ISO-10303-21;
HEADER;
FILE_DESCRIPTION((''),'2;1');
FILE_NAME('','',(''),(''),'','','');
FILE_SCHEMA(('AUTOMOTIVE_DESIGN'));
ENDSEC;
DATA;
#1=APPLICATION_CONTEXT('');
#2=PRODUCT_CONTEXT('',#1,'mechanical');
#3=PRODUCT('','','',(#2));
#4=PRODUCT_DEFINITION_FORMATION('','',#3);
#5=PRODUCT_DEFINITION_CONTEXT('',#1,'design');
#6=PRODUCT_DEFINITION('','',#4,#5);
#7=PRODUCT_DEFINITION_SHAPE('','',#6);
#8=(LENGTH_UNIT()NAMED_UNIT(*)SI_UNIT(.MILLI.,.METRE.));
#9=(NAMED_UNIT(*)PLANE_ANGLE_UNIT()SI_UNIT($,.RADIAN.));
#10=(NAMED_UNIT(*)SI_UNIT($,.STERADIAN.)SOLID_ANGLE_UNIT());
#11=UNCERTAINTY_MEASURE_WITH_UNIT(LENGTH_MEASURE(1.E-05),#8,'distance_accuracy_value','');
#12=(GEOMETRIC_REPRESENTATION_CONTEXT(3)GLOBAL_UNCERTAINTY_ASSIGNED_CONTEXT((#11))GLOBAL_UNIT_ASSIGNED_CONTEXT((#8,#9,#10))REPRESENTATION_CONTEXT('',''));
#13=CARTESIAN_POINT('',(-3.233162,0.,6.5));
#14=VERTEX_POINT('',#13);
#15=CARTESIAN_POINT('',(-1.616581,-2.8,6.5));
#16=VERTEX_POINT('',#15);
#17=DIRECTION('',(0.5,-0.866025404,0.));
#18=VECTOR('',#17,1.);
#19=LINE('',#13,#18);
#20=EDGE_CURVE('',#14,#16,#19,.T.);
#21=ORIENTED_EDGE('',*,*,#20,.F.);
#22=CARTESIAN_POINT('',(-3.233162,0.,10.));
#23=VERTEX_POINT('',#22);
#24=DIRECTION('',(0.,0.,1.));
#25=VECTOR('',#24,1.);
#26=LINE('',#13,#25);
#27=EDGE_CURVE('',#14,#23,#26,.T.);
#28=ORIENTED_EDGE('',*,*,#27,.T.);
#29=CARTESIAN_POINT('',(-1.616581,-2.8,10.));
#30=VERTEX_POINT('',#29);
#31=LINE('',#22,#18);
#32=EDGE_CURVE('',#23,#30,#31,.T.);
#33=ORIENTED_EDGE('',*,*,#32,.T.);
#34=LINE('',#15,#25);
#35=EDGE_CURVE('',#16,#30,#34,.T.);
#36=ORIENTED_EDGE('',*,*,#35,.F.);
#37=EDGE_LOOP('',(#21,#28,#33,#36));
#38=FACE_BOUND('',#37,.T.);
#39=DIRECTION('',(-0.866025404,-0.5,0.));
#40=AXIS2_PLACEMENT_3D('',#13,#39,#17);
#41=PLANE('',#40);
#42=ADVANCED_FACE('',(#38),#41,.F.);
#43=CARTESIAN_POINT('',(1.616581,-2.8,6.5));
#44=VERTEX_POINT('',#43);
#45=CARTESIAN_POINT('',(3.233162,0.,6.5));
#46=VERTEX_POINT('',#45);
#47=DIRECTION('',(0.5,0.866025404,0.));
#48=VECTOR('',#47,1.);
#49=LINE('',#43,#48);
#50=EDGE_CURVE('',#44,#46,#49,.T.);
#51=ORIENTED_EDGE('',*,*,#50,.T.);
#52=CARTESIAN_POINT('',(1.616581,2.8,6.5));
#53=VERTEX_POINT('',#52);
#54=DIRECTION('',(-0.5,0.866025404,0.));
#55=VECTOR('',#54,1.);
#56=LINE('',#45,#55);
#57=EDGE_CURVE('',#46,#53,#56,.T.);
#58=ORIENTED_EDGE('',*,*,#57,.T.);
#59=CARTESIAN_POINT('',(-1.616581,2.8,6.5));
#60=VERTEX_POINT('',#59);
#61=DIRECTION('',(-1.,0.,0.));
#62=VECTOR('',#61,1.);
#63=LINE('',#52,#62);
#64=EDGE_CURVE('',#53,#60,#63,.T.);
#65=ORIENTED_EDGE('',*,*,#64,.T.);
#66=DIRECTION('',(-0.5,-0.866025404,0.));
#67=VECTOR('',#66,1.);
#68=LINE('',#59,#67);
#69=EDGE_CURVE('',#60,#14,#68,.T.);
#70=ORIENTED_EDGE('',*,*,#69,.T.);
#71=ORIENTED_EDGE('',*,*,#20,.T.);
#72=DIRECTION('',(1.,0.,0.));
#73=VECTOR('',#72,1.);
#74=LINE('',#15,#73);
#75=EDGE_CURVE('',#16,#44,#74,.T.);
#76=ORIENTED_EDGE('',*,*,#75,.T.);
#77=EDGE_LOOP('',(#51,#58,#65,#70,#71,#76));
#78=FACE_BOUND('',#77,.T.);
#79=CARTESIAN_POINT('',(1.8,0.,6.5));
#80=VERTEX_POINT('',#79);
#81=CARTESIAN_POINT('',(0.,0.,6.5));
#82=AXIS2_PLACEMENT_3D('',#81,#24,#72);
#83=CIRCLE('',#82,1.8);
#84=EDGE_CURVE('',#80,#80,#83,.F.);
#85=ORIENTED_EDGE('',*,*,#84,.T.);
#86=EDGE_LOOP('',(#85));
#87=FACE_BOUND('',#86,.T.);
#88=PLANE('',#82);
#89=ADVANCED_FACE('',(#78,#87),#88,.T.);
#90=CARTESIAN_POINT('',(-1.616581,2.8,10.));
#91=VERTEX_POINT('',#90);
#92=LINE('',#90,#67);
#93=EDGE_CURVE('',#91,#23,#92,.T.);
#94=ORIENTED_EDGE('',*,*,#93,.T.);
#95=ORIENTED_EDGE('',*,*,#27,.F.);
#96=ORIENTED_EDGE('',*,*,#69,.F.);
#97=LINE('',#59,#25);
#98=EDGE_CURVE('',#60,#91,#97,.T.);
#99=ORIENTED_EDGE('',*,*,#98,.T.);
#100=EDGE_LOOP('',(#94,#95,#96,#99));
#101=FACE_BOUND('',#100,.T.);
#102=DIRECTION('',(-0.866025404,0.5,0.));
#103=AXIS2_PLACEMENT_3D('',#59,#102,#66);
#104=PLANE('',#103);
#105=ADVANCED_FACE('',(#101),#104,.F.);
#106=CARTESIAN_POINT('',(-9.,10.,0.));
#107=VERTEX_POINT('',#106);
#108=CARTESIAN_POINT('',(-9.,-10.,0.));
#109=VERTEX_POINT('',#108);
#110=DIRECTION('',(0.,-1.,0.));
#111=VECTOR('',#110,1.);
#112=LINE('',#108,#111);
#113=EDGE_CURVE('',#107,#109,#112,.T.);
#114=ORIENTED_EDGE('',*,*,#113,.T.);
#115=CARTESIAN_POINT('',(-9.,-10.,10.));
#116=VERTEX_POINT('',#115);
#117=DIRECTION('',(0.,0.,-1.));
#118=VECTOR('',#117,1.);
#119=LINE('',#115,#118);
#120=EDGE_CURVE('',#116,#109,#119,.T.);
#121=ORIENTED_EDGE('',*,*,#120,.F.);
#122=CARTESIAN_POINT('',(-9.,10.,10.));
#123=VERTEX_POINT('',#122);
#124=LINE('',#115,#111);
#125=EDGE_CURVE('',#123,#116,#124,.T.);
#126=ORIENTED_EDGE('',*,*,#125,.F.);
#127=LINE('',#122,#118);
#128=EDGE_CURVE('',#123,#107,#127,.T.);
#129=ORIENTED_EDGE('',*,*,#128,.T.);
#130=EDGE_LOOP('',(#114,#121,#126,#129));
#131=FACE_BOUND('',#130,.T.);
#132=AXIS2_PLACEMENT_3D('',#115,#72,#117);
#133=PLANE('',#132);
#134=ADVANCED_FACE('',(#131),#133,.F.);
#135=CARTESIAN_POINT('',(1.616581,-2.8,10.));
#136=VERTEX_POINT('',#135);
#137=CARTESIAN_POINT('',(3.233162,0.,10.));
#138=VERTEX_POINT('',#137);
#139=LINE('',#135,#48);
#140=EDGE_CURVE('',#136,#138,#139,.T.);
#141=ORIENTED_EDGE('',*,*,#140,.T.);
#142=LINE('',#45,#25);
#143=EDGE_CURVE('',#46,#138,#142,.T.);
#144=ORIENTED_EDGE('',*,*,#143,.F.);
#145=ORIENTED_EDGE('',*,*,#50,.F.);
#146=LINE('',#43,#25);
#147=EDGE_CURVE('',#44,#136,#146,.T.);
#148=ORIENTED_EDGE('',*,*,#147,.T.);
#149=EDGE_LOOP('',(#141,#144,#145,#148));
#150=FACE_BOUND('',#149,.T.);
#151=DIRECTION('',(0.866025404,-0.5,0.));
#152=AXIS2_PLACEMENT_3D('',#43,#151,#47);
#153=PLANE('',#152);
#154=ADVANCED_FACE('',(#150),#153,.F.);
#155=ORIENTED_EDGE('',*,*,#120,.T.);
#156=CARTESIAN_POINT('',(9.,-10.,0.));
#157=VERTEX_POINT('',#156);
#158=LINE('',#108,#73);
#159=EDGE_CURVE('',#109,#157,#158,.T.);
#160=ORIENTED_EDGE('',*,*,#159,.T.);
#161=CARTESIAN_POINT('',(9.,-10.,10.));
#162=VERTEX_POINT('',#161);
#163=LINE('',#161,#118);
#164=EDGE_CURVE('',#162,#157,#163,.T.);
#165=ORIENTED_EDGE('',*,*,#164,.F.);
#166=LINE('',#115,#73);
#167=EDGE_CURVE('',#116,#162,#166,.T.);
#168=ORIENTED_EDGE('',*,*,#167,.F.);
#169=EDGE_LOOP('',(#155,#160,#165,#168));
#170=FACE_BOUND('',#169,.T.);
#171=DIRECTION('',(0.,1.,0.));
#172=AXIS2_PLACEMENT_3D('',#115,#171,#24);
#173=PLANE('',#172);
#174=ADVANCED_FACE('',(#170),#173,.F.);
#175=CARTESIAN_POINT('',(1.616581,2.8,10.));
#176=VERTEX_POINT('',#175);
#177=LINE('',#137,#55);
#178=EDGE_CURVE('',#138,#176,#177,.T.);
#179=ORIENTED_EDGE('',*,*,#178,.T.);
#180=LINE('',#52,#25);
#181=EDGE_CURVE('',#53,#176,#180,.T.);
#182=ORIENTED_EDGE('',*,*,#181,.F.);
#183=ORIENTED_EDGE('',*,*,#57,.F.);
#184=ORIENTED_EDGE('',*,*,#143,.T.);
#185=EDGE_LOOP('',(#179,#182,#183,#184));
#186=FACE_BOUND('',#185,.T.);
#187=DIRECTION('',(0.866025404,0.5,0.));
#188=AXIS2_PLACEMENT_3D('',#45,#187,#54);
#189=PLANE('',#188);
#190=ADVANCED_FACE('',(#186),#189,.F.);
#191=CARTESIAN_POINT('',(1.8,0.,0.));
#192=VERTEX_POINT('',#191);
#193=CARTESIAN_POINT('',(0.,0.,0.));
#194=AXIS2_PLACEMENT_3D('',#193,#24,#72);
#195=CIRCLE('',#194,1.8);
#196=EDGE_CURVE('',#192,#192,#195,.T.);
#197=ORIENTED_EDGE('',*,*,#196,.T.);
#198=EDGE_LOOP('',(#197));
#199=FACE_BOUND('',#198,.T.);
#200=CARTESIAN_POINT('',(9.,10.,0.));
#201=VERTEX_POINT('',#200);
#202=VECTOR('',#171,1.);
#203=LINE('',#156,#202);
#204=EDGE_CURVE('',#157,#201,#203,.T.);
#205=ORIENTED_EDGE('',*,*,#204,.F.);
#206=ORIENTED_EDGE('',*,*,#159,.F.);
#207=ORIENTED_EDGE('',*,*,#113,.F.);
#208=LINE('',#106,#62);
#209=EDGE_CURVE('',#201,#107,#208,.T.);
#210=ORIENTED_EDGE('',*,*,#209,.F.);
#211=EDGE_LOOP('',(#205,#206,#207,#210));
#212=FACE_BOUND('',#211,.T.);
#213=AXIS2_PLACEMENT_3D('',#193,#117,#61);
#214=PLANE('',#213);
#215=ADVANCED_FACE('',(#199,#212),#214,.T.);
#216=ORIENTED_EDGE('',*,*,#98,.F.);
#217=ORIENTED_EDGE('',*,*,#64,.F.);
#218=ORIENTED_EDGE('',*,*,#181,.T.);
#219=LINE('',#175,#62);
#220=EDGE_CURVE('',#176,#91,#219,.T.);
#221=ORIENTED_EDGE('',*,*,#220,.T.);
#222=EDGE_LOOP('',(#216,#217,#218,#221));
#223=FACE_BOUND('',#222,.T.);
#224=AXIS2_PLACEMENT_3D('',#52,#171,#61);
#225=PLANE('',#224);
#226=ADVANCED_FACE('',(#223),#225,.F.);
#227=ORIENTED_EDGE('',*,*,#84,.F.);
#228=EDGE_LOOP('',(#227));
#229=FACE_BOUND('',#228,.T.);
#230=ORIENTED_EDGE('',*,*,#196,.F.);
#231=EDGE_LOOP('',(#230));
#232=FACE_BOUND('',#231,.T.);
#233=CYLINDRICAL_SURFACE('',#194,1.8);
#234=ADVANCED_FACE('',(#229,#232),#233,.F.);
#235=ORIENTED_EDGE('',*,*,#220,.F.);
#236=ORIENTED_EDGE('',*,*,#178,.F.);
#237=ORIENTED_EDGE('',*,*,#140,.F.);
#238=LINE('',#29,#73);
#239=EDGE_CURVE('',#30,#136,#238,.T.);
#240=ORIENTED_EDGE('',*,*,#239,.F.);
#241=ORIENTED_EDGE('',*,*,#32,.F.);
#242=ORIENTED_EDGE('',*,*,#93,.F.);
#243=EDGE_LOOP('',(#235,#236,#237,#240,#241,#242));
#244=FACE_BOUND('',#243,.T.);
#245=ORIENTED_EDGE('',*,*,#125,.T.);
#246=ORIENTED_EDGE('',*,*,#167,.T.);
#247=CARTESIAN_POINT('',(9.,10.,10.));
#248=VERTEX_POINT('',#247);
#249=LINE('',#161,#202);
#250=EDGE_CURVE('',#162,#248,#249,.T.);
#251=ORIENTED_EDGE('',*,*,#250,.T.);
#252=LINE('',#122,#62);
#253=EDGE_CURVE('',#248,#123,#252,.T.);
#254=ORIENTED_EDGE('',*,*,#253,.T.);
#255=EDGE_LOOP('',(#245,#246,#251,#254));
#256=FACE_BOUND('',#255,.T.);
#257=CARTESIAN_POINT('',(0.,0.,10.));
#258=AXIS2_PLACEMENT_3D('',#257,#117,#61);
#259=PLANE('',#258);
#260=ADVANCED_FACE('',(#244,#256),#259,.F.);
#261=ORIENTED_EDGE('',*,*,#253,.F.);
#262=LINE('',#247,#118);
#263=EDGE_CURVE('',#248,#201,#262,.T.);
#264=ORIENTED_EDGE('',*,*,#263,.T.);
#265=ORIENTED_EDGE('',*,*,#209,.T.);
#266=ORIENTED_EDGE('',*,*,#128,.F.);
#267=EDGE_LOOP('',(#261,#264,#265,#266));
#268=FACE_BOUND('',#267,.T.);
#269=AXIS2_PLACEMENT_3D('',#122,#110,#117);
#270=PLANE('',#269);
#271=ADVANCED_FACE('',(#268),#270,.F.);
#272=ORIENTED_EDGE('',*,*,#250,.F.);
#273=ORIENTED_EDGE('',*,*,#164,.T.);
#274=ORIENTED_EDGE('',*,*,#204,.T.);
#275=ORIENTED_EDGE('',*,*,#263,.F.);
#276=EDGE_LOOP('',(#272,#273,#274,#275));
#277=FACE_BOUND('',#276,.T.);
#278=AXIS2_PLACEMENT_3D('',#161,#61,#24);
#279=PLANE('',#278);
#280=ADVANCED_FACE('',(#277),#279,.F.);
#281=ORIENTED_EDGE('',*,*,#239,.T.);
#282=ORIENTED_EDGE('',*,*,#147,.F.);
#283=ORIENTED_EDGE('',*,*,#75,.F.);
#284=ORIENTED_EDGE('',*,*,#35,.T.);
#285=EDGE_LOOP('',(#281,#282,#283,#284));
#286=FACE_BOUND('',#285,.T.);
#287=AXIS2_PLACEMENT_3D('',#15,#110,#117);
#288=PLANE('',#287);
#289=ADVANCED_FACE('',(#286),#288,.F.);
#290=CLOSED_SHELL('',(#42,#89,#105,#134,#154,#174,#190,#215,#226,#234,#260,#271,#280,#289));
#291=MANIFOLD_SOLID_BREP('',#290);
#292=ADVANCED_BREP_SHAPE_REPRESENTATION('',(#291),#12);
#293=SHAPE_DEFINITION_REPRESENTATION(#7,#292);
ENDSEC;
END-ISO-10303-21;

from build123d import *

# Parameters (mm, degrees)
SKETCH1_W           = 18
SKETCH1_H           = 20
BOSS_EXTRUDE1_DEPTH = 10
CUT_EXTRUDE1_DEPTH  = 17.763054614
CUT_EXTRUDE2_DEPTH  = 3.5


with BuildPart() as part:
    # Sketch1 → Boss-Extrude1 (new body)
    with BuildSketch(Plane.XY):
        Rectangle(SKETCH1_W, SKETCH1_H)
    extrude(amount=BOSS_EXTRUDE1_DEPTH)

    # Sketch2 → Cut-Extrude1 (cut, through all)
    with BuildSketch(Plane.XY.offset(10)):
        with BuildLine():
            ThreePointArc((1.8, 0), (1.644300114, 0.732309453), (1.204136517, 1.337929463))
            Line((1.204136517, 1.337929463), (-1.204136517, -1.337929463))
            ThreePointArc((-1.204136517, -1.337929463), (0.732309453, -1.644300114), (1.8, 0))
        make_face()
        with BuildLine():
            Line((-1.204136517, -1.337929463), (1.204136517, 1.337929463))
            ThreePointArc((1.204136517, 1.337929463), (-1.337929463, 1.204136517), (-1.204136517, -1.337929463))
        make_face()
    extrude(amount=-CUT_EXTRUDE1_DEPTH, mode=Mode.SUBTRACT)

    # Sketch3 → Cut-Extrude2 (cut)
    with BuildSketch(Plane.XY.offset(10)):
        Polygon((1.616580754, 2.8), (-1.616580754, 2.8), (-3.233161507, 0), (-1.616580754, -2.8), (1.616580754, -2.8), (3.233161507, 0), align=None)
    extrude(amount=-CUT_EXTRUDE2_DEPTH, mode=Mode.SUBTRACT)


solid = part.part
